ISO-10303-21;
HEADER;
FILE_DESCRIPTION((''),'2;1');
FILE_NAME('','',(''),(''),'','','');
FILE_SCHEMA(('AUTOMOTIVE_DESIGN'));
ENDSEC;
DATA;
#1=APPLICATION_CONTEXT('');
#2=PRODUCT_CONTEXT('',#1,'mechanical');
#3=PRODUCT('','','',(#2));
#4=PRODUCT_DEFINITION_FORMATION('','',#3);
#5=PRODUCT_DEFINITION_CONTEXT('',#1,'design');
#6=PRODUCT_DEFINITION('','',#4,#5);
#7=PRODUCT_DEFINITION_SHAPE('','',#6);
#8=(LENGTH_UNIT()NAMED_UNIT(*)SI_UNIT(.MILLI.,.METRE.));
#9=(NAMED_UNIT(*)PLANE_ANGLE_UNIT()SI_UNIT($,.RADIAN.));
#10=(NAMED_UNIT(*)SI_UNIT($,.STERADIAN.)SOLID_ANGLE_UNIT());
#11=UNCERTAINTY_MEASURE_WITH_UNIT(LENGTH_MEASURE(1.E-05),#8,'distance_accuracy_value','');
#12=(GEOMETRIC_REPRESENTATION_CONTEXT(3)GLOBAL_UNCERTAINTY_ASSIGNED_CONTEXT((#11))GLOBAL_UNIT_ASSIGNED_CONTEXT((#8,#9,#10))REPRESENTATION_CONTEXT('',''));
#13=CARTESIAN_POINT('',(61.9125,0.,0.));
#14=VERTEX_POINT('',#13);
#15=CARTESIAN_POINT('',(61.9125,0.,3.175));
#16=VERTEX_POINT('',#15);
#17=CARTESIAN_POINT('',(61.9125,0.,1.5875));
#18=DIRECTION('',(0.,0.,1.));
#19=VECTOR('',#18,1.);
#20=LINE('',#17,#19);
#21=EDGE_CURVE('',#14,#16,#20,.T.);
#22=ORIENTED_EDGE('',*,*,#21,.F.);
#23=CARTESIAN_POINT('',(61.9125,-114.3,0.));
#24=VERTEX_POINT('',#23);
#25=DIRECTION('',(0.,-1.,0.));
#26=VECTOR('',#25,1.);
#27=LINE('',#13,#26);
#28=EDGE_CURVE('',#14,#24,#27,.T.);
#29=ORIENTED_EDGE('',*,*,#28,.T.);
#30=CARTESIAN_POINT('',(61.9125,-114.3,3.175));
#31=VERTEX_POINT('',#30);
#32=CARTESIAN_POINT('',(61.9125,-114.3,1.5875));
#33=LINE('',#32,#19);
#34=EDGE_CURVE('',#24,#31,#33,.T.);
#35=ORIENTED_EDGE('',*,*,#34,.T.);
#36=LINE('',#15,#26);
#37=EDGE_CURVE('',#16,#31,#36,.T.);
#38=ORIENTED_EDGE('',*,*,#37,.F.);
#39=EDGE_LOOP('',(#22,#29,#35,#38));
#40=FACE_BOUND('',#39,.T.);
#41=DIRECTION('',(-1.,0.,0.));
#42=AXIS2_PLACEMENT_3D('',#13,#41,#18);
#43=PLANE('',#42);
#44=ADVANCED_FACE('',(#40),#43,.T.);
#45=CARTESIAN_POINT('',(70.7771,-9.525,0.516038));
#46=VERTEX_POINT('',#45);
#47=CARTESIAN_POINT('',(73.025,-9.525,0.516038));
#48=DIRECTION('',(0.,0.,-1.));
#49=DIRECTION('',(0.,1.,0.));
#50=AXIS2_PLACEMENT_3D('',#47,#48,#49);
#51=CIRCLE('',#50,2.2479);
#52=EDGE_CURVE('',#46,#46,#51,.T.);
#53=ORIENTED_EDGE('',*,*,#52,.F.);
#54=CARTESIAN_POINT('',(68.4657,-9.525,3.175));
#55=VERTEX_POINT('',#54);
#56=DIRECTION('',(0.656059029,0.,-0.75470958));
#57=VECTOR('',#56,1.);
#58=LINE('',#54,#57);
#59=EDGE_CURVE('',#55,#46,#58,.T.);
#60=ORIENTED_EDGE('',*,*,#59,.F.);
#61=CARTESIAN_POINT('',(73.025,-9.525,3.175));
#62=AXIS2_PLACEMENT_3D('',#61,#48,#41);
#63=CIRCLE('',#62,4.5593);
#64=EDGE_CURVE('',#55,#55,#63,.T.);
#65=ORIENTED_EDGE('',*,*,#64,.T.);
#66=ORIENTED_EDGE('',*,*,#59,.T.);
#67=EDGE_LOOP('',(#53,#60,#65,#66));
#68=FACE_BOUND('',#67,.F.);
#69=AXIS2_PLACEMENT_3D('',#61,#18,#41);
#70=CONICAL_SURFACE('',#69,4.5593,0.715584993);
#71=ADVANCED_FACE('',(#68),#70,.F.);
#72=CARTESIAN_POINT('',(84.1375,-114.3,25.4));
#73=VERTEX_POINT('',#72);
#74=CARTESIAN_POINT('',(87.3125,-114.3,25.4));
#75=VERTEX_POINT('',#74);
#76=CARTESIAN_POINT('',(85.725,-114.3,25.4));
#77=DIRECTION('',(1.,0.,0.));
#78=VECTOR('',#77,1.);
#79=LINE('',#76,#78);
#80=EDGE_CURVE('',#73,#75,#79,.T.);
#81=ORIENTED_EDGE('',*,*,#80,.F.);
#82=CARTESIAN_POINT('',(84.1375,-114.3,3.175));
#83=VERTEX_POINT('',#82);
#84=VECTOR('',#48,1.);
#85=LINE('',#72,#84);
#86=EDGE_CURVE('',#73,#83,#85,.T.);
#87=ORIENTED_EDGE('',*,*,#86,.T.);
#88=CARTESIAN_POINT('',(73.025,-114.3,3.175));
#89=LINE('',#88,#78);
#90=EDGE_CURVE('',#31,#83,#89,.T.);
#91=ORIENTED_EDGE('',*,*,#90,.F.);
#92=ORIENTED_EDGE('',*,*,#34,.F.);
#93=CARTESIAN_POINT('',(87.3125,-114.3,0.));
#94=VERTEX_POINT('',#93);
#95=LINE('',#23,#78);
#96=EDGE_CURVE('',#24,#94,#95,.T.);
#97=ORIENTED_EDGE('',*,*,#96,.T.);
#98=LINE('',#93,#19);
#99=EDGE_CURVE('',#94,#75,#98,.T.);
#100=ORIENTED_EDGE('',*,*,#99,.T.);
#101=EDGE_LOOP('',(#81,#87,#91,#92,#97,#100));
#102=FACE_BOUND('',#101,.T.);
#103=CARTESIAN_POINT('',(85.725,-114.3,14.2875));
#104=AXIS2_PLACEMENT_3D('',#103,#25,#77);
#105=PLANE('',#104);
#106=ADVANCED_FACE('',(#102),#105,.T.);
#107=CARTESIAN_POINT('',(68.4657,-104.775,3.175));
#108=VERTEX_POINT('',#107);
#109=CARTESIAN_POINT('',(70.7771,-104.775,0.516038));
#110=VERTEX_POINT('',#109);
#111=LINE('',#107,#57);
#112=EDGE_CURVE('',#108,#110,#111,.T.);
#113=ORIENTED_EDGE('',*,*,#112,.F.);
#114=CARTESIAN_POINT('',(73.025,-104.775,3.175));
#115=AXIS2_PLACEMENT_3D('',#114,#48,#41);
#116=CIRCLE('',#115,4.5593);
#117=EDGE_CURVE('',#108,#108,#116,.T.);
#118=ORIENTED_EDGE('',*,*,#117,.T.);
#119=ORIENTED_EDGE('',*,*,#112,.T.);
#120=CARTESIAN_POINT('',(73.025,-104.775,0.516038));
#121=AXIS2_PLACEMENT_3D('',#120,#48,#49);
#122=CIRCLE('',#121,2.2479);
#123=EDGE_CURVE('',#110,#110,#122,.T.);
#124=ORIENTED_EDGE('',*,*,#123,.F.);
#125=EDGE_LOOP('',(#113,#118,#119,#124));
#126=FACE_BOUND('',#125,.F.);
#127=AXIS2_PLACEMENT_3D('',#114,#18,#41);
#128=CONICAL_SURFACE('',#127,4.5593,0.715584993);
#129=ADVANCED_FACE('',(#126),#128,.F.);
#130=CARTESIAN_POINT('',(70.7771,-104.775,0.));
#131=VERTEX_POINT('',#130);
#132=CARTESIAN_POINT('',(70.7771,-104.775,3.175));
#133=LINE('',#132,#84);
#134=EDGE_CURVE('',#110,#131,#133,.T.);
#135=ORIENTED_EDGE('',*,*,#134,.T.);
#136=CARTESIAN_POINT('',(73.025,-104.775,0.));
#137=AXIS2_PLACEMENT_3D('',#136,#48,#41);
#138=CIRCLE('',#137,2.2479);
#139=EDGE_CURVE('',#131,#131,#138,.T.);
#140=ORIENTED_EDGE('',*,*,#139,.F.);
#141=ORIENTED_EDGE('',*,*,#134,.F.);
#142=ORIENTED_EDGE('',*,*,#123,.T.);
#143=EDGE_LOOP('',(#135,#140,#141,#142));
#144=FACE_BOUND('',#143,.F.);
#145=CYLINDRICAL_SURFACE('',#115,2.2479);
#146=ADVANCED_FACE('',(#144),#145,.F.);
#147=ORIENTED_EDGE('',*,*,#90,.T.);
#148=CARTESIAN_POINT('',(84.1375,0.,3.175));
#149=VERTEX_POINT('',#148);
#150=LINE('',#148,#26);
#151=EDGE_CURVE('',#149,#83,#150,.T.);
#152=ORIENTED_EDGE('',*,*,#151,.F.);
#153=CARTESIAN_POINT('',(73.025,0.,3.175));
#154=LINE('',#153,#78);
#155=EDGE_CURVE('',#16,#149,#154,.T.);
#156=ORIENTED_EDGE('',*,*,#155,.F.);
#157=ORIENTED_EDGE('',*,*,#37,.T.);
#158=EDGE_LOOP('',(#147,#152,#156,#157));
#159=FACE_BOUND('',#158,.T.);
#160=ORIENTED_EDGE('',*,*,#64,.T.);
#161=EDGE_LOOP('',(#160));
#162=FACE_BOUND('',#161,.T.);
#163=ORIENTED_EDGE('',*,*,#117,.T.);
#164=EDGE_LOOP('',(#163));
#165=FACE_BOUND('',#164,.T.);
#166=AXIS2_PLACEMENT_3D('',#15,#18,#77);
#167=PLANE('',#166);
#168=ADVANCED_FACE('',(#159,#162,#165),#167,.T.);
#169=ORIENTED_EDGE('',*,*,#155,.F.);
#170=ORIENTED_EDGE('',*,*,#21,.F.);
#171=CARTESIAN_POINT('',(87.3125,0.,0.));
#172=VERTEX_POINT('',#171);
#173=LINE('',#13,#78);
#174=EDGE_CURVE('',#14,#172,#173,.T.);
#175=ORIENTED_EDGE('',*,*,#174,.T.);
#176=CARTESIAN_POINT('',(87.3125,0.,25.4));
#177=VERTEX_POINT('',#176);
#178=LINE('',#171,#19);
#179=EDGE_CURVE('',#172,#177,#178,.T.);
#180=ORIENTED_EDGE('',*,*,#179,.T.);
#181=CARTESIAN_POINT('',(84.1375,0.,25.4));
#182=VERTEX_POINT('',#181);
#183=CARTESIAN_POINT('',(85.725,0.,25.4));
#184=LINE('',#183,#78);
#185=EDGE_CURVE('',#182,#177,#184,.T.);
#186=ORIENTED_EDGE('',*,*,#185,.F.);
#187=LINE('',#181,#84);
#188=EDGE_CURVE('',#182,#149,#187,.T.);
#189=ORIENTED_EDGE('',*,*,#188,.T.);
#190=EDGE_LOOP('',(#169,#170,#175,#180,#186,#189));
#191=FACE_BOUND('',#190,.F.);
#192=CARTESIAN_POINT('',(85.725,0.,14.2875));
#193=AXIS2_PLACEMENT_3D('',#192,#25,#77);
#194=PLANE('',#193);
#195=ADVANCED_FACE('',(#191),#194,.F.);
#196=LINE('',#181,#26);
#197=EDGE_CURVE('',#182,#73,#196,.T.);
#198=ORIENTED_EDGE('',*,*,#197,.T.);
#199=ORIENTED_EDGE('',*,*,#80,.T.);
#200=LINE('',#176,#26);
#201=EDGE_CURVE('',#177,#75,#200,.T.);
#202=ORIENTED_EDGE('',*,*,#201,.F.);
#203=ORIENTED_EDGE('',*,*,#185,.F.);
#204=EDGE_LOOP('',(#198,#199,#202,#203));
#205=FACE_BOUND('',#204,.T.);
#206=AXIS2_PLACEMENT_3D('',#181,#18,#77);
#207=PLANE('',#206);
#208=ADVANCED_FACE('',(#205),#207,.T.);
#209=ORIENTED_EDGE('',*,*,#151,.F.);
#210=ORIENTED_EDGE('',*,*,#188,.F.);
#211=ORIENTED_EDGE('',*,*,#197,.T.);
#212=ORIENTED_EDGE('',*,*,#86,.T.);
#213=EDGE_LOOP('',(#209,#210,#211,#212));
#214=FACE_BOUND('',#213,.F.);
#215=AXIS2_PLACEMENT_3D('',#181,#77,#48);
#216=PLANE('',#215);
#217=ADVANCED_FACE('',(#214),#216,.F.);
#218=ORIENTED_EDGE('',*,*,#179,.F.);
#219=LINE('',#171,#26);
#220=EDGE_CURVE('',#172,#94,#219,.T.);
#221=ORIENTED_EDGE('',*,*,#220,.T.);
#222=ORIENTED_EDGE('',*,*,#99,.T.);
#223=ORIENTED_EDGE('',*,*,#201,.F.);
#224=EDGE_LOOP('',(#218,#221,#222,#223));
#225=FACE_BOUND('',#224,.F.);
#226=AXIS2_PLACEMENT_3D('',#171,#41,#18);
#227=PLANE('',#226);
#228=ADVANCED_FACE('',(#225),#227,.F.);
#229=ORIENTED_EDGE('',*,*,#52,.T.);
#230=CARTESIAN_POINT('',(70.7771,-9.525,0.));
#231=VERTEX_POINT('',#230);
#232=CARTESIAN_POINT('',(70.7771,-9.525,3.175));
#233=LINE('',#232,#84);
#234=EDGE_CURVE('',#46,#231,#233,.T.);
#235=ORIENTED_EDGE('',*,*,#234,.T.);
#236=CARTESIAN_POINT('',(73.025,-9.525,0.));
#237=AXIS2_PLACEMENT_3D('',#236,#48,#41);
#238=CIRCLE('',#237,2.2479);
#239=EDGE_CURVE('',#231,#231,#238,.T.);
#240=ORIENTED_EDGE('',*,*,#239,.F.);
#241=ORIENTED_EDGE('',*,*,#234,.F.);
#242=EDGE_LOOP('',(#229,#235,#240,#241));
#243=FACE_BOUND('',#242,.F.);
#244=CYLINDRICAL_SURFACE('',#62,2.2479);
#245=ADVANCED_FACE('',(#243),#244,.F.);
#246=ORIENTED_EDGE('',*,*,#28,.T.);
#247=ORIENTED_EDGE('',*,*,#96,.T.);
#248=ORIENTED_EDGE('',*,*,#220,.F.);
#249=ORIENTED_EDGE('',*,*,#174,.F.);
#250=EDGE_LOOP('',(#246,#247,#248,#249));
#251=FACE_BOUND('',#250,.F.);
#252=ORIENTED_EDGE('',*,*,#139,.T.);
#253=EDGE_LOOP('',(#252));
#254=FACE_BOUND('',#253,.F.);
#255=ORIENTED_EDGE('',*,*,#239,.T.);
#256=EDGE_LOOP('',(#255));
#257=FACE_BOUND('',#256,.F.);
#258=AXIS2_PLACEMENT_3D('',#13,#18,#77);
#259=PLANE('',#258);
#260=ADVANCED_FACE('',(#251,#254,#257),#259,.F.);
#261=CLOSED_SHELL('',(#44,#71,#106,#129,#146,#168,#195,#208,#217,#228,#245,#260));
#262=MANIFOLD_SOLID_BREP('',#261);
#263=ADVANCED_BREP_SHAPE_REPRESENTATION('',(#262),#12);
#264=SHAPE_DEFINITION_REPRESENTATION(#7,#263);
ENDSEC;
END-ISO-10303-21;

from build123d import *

# Parameters (mm, degrees)
F0_W           = 3.175
F0_H           = 22.225
F0_H_2         = 3.175
F0_W_2         = 22.225
F1_DEPTH       = 114.3
F3_D           = 4.4958
F3_CSINK_D     = 9.1186
F3_CSINK_ANGLE = 82


with BuildPart() as f1:
    # F0 (on Front) → F1 (new body)
    with BuildSketch(Plane.XZ):
        with Locations((85.725, 14.2875)):
            Rectangle(F0_W, F0_H)
        with Locations((85.725, 1.5875)):
            Rectangle(F0_W, F0_H_2)
        with Locations((73.025, 1.5875)):
            Rectangle(F0_W_2, F0_H_2)
    extrude(amount=F1_DEPTH)

    # F3 (through all)
    with Locations(Plane.XY.offset(3.175)):
        with Locations((73.025, -104.775), (73.025, -9.525)):
            CounterSinkHole(F3_D / 2, F3_CSINK_D / 2, counter_sink_angle=F3_CSINK_ANGLE)


solid = f1.part
